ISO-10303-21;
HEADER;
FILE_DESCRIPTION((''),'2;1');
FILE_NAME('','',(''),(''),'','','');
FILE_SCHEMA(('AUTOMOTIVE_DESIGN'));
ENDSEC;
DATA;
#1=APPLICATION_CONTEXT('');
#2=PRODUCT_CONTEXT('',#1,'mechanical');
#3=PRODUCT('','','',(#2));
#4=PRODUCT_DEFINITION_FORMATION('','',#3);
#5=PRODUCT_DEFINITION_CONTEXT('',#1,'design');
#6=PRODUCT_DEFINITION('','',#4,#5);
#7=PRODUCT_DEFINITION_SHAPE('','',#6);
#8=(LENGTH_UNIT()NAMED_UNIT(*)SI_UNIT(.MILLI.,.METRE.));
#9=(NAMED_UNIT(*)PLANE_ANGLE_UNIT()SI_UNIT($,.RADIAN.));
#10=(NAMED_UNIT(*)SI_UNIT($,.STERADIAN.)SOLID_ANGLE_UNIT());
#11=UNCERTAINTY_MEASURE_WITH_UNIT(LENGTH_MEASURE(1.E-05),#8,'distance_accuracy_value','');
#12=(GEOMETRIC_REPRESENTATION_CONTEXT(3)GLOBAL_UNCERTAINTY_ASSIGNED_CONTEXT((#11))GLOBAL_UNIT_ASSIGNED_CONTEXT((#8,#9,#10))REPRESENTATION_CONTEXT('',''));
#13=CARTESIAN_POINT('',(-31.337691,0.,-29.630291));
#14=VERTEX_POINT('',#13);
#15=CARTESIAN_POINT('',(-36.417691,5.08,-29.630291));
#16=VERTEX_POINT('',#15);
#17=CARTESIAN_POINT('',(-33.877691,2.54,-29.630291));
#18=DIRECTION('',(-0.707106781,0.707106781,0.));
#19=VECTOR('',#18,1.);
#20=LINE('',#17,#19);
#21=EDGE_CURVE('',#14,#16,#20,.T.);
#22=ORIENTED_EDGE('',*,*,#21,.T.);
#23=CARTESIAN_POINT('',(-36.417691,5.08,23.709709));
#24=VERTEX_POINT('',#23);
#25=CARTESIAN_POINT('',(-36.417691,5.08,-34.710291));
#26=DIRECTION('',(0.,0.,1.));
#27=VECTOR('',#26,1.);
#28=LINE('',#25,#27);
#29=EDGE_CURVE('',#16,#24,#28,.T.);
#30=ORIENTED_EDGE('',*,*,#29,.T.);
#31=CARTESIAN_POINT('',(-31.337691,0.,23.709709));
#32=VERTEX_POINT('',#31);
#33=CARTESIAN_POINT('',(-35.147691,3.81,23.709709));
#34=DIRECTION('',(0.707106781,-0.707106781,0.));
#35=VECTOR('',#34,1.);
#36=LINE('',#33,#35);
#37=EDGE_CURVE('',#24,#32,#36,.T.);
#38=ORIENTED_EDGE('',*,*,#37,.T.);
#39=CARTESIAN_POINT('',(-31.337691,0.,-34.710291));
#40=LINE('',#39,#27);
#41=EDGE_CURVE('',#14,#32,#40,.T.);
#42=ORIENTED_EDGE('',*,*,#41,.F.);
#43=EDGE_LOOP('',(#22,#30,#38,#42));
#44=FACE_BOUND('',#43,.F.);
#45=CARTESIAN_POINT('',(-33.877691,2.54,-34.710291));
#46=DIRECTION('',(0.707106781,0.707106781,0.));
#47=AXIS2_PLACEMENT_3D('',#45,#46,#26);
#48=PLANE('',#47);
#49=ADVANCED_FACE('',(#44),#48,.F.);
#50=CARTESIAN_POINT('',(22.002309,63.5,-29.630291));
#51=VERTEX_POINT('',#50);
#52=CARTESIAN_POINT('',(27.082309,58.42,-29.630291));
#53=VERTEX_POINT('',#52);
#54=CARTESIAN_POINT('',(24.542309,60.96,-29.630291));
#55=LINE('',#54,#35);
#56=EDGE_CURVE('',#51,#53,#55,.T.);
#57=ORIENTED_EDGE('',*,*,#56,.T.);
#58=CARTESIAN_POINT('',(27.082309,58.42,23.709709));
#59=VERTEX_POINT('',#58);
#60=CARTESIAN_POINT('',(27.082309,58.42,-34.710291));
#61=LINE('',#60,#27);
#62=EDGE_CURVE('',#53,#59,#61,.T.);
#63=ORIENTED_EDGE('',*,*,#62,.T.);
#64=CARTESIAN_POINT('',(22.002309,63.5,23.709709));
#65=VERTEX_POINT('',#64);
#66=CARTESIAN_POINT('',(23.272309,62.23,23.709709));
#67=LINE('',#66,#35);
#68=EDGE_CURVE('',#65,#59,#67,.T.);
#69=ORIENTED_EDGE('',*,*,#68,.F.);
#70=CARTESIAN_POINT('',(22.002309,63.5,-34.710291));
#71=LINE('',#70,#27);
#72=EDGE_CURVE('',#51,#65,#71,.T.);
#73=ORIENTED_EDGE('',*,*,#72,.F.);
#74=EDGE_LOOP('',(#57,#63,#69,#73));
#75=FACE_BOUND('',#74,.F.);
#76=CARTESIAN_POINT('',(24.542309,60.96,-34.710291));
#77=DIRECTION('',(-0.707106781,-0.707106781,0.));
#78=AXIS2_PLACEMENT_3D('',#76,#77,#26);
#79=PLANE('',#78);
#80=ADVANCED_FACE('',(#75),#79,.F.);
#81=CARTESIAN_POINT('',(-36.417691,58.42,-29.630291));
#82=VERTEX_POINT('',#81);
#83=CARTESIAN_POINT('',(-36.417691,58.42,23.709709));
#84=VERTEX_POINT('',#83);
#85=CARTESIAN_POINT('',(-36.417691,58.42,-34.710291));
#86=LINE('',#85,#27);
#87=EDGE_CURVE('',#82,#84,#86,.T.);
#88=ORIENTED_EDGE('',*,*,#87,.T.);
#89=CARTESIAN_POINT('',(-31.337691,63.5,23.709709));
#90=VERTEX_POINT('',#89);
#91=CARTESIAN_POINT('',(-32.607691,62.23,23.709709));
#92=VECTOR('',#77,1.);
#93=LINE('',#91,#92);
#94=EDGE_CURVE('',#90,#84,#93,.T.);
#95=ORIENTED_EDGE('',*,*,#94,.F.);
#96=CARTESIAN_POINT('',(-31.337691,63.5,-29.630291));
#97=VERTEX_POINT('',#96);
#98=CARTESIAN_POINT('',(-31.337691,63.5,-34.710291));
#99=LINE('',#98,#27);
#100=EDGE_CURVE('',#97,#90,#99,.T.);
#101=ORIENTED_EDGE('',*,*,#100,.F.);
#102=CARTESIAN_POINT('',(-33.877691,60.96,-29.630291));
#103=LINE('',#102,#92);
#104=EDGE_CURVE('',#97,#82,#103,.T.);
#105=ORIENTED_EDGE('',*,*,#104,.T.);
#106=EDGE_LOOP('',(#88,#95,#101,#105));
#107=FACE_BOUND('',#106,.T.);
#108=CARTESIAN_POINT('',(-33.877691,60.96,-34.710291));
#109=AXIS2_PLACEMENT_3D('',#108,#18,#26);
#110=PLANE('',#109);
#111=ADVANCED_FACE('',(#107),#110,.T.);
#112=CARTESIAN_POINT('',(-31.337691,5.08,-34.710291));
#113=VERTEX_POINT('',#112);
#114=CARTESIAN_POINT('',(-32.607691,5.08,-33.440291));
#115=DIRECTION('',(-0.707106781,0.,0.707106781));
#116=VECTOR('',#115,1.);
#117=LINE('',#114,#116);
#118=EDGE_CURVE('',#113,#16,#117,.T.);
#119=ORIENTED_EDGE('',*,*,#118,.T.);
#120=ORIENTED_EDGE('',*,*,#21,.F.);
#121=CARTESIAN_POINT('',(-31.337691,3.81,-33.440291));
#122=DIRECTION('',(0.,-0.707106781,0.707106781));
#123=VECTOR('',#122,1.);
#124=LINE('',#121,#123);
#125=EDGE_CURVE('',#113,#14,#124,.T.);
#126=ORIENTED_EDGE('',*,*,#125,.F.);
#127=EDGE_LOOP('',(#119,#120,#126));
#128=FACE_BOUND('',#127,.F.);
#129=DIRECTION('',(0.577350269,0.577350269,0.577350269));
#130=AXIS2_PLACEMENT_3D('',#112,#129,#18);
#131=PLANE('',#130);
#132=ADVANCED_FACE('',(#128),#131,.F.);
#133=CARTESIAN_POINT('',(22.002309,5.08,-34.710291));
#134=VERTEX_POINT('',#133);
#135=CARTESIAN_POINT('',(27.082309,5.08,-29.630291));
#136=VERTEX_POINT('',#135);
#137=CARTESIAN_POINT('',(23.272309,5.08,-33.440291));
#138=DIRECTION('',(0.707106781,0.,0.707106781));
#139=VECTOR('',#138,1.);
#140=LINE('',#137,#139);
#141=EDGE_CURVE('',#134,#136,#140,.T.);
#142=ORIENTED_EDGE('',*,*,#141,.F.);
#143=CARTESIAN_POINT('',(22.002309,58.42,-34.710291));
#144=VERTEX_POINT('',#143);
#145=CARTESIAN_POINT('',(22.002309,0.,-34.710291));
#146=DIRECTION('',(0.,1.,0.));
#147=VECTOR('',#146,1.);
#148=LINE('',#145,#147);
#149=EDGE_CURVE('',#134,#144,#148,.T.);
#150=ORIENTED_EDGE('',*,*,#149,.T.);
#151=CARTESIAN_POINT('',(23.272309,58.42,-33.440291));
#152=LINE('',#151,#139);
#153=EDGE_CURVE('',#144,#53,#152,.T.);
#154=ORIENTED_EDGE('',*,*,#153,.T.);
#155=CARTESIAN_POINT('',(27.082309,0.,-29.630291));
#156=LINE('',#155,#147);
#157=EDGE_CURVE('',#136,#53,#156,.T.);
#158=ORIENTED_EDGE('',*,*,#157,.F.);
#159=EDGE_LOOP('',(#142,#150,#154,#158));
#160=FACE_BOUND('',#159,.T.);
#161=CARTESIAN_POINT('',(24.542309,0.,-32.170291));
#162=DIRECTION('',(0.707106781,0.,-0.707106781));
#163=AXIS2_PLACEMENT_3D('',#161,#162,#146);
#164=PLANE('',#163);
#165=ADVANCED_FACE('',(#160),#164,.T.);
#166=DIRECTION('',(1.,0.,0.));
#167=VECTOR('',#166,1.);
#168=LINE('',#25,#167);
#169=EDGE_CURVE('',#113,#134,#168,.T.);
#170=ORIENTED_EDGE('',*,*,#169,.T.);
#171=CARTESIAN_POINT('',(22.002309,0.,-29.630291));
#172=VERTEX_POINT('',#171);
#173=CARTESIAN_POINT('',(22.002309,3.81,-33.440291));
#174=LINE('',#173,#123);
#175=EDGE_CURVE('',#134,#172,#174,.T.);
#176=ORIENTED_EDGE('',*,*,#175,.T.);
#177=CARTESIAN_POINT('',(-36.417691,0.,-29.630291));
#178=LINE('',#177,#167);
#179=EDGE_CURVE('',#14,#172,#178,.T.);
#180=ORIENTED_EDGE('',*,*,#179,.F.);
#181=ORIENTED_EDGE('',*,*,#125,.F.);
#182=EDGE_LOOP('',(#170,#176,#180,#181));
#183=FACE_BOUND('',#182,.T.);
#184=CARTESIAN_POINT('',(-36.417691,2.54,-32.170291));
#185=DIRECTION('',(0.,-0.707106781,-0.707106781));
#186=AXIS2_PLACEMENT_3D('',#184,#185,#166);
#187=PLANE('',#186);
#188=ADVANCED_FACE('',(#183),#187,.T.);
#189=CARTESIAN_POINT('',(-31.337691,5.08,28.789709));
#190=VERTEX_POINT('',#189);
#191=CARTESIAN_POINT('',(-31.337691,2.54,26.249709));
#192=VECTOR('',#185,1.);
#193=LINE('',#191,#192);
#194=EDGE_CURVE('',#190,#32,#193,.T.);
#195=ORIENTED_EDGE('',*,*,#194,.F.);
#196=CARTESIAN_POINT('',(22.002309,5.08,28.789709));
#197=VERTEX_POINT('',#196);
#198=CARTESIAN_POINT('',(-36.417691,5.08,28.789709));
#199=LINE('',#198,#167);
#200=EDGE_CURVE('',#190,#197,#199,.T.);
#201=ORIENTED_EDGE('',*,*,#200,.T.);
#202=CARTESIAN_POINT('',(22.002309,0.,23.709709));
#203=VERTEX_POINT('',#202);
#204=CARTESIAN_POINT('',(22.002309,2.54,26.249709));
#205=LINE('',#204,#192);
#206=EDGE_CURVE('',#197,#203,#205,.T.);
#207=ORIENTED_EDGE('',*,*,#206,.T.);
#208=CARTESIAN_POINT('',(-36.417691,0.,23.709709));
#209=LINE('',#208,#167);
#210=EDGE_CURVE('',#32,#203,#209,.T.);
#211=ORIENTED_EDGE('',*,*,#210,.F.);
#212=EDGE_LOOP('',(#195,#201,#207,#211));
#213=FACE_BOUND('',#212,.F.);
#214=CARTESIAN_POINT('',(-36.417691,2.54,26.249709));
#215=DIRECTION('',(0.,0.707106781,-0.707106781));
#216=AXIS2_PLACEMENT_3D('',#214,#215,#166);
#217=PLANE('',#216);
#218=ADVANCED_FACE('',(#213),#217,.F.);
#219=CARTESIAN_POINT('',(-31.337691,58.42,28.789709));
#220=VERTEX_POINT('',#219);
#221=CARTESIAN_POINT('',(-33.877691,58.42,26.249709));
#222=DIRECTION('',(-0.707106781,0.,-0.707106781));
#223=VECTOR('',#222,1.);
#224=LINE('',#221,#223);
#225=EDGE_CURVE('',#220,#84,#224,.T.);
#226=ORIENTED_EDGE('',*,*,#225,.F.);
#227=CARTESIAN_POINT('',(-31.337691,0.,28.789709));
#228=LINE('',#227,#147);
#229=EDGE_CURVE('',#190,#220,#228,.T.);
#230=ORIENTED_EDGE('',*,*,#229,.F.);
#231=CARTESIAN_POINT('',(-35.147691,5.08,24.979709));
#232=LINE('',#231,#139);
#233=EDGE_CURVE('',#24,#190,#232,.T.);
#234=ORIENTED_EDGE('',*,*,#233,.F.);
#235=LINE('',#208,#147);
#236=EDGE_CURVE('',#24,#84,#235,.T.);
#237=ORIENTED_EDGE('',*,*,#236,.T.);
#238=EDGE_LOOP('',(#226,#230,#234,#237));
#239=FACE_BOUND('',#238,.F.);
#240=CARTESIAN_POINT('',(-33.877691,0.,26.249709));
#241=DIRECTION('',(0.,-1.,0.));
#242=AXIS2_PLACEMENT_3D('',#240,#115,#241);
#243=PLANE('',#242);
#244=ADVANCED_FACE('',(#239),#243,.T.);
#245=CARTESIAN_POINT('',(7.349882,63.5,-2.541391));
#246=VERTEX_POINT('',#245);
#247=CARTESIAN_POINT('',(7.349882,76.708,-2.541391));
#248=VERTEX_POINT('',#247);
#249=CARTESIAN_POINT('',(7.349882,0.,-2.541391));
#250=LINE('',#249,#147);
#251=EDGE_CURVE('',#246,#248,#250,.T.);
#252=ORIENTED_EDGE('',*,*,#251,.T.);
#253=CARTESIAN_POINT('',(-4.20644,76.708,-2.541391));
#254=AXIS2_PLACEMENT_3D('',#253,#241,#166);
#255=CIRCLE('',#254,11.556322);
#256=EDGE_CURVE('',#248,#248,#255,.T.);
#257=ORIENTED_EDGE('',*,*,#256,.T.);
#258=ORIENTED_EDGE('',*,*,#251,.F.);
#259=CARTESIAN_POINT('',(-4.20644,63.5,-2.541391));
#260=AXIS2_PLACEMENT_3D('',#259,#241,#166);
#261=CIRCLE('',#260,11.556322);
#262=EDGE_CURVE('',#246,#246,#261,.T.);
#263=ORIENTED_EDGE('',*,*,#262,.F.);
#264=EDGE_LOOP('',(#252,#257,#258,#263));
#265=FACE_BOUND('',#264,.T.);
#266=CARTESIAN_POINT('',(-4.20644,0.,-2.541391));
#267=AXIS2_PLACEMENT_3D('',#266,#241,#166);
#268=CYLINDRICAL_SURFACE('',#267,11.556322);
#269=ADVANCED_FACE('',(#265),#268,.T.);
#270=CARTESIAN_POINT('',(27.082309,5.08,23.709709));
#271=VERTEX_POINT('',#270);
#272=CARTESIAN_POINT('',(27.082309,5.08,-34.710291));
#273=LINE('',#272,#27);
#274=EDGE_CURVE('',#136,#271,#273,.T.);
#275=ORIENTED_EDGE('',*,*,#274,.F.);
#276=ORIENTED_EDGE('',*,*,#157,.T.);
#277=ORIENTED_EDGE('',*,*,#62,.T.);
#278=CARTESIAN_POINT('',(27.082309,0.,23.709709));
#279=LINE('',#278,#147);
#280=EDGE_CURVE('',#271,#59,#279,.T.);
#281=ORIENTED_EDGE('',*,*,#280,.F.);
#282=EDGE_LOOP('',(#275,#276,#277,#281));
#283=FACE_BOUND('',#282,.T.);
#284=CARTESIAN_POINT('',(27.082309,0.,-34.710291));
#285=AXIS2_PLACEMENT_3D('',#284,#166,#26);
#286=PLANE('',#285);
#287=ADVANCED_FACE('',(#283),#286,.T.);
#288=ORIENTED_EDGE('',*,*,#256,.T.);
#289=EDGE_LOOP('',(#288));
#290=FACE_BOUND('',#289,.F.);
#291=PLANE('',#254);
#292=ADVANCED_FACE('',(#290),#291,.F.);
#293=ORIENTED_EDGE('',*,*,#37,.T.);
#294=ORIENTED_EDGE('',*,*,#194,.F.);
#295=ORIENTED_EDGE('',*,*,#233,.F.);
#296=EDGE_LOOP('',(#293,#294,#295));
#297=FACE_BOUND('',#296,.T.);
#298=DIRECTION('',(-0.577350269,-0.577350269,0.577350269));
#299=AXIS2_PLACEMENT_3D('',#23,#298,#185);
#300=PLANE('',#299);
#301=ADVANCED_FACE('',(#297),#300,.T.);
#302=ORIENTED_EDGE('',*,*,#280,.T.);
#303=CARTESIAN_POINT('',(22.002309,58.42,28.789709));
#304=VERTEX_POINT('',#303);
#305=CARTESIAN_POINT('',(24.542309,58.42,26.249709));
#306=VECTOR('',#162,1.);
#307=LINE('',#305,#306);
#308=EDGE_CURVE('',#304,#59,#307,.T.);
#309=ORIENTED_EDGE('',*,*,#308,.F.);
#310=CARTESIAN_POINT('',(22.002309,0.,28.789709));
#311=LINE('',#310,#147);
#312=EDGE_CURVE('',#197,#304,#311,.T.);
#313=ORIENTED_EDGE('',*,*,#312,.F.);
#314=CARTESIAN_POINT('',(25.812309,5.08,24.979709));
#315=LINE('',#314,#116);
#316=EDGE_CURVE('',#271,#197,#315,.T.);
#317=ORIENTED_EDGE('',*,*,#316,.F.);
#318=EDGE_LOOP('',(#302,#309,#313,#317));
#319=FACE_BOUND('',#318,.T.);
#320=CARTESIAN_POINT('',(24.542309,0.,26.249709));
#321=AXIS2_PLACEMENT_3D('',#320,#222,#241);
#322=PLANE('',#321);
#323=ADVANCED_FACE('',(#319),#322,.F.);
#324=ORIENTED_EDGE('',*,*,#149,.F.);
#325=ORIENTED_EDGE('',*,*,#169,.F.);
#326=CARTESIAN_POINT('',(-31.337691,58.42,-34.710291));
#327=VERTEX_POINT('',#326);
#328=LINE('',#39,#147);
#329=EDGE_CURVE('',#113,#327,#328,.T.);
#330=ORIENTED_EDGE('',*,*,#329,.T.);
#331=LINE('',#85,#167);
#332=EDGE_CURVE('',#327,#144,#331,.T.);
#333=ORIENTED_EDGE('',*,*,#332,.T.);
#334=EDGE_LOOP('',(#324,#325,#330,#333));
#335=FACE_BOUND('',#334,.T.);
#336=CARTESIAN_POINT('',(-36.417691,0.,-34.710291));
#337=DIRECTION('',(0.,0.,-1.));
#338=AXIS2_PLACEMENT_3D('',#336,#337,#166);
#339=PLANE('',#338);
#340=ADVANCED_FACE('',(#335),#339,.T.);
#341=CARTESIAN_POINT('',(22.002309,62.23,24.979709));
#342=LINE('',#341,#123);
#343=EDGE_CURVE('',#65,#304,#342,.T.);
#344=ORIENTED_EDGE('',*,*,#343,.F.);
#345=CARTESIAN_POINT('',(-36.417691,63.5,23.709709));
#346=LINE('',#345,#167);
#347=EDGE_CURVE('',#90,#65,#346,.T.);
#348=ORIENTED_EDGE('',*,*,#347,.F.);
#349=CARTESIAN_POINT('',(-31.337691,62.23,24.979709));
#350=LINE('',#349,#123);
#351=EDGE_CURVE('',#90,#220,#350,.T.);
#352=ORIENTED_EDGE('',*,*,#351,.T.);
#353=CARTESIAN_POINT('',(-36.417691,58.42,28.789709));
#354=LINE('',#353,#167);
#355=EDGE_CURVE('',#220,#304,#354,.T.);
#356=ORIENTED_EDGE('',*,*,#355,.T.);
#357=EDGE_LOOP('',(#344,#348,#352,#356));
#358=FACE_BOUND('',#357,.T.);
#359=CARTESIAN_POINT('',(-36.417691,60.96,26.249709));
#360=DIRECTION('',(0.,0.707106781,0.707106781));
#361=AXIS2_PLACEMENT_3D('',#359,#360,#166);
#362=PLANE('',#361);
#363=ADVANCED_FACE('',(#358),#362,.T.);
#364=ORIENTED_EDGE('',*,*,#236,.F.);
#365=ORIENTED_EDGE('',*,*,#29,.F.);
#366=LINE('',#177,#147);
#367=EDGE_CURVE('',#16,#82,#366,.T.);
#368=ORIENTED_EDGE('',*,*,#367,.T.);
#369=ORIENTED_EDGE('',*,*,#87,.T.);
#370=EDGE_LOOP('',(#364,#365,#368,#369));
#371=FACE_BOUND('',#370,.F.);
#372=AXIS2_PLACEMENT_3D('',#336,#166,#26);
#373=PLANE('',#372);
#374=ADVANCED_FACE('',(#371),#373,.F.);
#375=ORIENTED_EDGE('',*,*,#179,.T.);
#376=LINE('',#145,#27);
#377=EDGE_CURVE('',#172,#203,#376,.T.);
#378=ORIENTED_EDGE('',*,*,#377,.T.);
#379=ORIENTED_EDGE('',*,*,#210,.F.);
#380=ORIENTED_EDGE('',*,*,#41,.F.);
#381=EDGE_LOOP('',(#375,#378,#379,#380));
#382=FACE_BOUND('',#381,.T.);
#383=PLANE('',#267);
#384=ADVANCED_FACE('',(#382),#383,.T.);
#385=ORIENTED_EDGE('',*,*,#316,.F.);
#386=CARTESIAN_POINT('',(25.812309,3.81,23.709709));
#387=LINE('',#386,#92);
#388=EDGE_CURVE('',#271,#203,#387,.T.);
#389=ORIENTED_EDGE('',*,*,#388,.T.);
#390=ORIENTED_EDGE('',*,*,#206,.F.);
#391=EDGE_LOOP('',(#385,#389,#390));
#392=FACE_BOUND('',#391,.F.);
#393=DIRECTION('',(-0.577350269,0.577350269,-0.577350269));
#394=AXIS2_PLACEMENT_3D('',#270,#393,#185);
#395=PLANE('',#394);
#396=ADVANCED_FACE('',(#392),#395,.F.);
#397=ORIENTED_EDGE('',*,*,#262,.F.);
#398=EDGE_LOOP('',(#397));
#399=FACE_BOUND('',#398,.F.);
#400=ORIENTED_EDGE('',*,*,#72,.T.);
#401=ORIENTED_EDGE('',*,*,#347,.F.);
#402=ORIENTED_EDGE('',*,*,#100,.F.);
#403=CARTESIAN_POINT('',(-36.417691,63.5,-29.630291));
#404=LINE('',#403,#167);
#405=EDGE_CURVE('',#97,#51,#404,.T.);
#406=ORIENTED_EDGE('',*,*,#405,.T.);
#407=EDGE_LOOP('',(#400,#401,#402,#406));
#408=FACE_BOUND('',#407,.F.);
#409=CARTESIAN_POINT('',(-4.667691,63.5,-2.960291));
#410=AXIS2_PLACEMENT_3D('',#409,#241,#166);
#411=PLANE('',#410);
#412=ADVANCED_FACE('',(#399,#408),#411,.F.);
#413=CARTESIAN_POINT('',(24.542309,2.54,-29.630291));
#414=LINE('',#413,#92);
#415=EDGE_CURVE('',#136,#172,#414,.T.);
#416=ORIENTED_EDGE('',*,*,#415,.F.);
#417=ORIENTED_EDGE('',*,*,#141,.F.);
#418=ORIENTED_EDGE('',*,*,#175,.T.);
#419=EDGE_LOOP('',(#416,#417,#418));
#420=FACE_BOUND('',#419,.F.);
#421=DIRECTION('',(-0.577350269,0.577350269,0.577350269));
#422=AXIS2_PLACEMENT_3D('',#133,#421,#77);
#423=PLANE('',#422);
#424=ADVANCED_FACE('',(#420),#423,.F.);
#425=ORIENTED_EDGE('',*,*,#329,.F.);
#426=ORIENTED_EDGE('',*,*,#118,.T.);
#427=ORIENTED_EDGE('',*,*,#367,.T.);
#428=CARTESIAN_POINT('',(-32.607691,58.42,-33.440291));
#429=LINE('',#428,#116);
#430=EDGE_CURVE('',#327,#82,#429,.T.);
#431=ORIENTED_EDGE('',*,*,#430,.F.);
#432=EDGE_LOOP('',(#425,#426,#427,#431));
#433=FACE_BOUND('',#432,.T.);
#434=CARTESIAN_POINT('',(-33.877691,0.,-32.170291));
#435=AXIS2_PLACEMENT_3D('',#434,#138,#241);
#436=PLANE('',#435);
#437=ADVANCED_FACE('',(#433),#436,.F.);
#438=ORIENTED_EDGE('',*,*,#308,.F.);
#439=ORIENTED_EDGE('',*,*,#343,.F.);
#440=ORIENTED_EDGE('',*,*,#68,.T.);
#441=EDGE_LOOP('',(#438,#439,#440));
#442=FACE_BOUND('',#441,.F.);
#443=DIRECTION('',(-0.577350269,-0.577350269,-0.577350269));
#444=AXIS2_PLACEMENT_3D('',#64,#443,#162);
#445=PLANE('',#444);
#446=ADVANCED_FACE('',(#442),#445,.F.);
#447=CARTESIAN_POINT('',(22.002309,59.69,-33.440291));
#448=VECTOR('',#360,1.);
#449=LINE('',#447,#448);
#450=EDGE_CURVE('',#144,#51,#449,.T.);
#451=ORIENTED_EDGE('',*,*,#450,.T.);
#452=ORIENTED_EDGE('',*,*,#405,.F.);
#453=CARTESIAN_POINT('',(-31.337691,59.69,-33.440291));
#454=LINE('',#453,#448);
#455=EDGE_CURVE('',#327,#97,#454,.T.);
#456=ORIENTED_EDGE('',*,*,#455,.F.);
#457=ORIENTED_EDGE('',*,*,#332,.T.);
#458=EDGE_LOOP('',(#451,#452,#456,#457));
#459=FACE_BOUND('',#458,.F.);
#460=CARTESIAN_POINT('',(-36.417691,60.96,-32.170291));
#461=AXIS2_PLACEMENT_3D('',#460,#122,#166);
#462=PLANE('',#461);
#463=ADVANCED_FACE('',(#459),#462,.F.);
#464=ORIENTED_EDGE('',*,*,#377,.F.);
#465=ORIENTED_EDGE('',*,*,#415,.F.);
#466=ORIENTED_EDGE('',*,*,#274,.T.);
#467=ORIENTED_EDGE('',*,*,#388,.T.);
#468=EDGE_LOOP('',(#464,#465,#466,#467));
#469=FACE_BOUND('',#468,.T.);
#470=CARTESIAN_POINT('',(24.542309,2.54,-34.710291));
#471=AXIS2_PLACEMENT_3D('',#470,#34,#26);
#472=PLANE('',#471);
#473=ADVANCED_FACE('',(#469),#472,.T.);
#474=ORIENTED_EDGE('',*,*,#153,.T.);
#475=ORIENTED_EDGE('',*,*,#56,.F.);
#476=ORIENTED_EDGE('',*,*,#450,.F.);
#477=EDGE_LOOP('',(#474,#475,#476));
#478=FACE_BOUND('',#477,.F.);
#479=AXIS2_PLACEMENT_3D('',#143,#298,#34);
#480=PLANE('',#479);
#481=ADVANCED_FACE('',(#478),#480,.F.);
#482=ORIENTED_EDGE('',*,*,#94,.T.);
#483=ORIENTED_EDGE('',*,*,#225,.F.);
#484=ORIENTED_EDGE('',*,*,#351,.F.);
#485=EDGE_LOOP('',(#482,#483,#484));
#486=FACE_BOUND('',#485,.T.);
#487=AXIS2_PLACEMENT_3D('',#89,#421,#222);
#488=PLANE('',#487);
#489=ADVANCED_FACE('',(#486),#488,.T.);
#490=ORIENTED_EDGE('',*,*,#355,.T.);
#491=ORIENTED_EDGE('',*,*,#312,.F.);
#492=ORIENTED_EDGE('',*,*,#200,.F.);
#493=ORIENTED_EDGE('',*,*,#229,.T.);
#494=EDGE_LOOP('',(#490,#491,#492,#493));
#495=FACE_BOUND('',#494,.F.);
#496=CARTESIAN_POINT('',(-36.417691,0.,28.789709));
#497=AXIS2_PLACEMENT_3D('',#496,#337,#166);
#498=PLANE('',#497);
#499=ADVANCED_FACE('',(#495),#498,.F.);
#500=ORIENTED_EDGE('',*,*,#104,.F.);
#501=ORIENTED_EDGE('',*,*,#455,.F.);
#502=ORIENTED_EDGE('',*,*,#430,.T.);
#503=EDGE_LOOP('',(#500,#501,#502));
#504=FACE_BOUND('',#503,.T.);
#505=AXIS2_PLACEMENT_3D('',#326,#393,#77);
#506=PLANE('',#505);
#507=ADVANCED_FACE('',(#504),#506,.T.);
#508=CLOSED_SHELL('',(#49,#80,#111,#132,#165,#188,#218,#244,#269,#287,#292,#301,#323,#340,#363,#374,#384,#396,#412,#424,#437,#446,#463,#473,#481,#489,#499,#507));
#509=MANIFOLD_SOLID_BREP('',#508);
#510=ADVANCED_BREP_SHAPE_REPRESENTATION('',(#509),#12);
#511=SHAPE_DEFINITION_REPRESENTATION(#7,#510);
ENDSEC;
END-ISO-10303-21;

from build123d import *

# Parameters (mm, degrees)
F0_W     = 63.5
F0_H     = 63.5
F1_DEPTH = 63.5
F2_SIZE  = 5.08
F3_R     = 11.556322
F4_DEPTH = 76.708


with BuildPart() as f1:
    # F0 (on Front) → F1 (new body)
    with BuildSketch(Plane.XZ):
        with Locations((-4.667691, -2.960291)):
            Rectangle(F0_W, F0_H)
    extrude(amount=-F1_DEPTH)

    # F2
    f2_edges = [f1.edges().sort_by_distance(p)[0] for p in [
        (-4.667691, 0, 28.789709),
        (27.082309, 31.75, 28.789709),
        (-36.417691, 31.75, 28.789709),
        (-4.667691, 63.5, 28.789709),
        (27.082309, 0, -2.960291),
        (27.082309, 63.5, -2.960291),
        (-36.417691, 0, -2.960291),
        (-36.417691, 63.5, -2.960291),
        (-4.667691, 63.5, -34.710291),
        (27.082309, 31.75, -34.710291),
        (-4.667691, 0, -34.710291),
        (-36.417691, 31.75, -34.710291),
    ]]
    chamfer(f2_edges, length=F2_SIZE)

    # F3 (on face) → F4 (join)
    with BuildSketch(Plane.XZ):
        with Locations((-4.20644, -2.541391)):
            Circle(F3_R)
    extrude(amount=-F4_DEPTH)


solid = f1.part
